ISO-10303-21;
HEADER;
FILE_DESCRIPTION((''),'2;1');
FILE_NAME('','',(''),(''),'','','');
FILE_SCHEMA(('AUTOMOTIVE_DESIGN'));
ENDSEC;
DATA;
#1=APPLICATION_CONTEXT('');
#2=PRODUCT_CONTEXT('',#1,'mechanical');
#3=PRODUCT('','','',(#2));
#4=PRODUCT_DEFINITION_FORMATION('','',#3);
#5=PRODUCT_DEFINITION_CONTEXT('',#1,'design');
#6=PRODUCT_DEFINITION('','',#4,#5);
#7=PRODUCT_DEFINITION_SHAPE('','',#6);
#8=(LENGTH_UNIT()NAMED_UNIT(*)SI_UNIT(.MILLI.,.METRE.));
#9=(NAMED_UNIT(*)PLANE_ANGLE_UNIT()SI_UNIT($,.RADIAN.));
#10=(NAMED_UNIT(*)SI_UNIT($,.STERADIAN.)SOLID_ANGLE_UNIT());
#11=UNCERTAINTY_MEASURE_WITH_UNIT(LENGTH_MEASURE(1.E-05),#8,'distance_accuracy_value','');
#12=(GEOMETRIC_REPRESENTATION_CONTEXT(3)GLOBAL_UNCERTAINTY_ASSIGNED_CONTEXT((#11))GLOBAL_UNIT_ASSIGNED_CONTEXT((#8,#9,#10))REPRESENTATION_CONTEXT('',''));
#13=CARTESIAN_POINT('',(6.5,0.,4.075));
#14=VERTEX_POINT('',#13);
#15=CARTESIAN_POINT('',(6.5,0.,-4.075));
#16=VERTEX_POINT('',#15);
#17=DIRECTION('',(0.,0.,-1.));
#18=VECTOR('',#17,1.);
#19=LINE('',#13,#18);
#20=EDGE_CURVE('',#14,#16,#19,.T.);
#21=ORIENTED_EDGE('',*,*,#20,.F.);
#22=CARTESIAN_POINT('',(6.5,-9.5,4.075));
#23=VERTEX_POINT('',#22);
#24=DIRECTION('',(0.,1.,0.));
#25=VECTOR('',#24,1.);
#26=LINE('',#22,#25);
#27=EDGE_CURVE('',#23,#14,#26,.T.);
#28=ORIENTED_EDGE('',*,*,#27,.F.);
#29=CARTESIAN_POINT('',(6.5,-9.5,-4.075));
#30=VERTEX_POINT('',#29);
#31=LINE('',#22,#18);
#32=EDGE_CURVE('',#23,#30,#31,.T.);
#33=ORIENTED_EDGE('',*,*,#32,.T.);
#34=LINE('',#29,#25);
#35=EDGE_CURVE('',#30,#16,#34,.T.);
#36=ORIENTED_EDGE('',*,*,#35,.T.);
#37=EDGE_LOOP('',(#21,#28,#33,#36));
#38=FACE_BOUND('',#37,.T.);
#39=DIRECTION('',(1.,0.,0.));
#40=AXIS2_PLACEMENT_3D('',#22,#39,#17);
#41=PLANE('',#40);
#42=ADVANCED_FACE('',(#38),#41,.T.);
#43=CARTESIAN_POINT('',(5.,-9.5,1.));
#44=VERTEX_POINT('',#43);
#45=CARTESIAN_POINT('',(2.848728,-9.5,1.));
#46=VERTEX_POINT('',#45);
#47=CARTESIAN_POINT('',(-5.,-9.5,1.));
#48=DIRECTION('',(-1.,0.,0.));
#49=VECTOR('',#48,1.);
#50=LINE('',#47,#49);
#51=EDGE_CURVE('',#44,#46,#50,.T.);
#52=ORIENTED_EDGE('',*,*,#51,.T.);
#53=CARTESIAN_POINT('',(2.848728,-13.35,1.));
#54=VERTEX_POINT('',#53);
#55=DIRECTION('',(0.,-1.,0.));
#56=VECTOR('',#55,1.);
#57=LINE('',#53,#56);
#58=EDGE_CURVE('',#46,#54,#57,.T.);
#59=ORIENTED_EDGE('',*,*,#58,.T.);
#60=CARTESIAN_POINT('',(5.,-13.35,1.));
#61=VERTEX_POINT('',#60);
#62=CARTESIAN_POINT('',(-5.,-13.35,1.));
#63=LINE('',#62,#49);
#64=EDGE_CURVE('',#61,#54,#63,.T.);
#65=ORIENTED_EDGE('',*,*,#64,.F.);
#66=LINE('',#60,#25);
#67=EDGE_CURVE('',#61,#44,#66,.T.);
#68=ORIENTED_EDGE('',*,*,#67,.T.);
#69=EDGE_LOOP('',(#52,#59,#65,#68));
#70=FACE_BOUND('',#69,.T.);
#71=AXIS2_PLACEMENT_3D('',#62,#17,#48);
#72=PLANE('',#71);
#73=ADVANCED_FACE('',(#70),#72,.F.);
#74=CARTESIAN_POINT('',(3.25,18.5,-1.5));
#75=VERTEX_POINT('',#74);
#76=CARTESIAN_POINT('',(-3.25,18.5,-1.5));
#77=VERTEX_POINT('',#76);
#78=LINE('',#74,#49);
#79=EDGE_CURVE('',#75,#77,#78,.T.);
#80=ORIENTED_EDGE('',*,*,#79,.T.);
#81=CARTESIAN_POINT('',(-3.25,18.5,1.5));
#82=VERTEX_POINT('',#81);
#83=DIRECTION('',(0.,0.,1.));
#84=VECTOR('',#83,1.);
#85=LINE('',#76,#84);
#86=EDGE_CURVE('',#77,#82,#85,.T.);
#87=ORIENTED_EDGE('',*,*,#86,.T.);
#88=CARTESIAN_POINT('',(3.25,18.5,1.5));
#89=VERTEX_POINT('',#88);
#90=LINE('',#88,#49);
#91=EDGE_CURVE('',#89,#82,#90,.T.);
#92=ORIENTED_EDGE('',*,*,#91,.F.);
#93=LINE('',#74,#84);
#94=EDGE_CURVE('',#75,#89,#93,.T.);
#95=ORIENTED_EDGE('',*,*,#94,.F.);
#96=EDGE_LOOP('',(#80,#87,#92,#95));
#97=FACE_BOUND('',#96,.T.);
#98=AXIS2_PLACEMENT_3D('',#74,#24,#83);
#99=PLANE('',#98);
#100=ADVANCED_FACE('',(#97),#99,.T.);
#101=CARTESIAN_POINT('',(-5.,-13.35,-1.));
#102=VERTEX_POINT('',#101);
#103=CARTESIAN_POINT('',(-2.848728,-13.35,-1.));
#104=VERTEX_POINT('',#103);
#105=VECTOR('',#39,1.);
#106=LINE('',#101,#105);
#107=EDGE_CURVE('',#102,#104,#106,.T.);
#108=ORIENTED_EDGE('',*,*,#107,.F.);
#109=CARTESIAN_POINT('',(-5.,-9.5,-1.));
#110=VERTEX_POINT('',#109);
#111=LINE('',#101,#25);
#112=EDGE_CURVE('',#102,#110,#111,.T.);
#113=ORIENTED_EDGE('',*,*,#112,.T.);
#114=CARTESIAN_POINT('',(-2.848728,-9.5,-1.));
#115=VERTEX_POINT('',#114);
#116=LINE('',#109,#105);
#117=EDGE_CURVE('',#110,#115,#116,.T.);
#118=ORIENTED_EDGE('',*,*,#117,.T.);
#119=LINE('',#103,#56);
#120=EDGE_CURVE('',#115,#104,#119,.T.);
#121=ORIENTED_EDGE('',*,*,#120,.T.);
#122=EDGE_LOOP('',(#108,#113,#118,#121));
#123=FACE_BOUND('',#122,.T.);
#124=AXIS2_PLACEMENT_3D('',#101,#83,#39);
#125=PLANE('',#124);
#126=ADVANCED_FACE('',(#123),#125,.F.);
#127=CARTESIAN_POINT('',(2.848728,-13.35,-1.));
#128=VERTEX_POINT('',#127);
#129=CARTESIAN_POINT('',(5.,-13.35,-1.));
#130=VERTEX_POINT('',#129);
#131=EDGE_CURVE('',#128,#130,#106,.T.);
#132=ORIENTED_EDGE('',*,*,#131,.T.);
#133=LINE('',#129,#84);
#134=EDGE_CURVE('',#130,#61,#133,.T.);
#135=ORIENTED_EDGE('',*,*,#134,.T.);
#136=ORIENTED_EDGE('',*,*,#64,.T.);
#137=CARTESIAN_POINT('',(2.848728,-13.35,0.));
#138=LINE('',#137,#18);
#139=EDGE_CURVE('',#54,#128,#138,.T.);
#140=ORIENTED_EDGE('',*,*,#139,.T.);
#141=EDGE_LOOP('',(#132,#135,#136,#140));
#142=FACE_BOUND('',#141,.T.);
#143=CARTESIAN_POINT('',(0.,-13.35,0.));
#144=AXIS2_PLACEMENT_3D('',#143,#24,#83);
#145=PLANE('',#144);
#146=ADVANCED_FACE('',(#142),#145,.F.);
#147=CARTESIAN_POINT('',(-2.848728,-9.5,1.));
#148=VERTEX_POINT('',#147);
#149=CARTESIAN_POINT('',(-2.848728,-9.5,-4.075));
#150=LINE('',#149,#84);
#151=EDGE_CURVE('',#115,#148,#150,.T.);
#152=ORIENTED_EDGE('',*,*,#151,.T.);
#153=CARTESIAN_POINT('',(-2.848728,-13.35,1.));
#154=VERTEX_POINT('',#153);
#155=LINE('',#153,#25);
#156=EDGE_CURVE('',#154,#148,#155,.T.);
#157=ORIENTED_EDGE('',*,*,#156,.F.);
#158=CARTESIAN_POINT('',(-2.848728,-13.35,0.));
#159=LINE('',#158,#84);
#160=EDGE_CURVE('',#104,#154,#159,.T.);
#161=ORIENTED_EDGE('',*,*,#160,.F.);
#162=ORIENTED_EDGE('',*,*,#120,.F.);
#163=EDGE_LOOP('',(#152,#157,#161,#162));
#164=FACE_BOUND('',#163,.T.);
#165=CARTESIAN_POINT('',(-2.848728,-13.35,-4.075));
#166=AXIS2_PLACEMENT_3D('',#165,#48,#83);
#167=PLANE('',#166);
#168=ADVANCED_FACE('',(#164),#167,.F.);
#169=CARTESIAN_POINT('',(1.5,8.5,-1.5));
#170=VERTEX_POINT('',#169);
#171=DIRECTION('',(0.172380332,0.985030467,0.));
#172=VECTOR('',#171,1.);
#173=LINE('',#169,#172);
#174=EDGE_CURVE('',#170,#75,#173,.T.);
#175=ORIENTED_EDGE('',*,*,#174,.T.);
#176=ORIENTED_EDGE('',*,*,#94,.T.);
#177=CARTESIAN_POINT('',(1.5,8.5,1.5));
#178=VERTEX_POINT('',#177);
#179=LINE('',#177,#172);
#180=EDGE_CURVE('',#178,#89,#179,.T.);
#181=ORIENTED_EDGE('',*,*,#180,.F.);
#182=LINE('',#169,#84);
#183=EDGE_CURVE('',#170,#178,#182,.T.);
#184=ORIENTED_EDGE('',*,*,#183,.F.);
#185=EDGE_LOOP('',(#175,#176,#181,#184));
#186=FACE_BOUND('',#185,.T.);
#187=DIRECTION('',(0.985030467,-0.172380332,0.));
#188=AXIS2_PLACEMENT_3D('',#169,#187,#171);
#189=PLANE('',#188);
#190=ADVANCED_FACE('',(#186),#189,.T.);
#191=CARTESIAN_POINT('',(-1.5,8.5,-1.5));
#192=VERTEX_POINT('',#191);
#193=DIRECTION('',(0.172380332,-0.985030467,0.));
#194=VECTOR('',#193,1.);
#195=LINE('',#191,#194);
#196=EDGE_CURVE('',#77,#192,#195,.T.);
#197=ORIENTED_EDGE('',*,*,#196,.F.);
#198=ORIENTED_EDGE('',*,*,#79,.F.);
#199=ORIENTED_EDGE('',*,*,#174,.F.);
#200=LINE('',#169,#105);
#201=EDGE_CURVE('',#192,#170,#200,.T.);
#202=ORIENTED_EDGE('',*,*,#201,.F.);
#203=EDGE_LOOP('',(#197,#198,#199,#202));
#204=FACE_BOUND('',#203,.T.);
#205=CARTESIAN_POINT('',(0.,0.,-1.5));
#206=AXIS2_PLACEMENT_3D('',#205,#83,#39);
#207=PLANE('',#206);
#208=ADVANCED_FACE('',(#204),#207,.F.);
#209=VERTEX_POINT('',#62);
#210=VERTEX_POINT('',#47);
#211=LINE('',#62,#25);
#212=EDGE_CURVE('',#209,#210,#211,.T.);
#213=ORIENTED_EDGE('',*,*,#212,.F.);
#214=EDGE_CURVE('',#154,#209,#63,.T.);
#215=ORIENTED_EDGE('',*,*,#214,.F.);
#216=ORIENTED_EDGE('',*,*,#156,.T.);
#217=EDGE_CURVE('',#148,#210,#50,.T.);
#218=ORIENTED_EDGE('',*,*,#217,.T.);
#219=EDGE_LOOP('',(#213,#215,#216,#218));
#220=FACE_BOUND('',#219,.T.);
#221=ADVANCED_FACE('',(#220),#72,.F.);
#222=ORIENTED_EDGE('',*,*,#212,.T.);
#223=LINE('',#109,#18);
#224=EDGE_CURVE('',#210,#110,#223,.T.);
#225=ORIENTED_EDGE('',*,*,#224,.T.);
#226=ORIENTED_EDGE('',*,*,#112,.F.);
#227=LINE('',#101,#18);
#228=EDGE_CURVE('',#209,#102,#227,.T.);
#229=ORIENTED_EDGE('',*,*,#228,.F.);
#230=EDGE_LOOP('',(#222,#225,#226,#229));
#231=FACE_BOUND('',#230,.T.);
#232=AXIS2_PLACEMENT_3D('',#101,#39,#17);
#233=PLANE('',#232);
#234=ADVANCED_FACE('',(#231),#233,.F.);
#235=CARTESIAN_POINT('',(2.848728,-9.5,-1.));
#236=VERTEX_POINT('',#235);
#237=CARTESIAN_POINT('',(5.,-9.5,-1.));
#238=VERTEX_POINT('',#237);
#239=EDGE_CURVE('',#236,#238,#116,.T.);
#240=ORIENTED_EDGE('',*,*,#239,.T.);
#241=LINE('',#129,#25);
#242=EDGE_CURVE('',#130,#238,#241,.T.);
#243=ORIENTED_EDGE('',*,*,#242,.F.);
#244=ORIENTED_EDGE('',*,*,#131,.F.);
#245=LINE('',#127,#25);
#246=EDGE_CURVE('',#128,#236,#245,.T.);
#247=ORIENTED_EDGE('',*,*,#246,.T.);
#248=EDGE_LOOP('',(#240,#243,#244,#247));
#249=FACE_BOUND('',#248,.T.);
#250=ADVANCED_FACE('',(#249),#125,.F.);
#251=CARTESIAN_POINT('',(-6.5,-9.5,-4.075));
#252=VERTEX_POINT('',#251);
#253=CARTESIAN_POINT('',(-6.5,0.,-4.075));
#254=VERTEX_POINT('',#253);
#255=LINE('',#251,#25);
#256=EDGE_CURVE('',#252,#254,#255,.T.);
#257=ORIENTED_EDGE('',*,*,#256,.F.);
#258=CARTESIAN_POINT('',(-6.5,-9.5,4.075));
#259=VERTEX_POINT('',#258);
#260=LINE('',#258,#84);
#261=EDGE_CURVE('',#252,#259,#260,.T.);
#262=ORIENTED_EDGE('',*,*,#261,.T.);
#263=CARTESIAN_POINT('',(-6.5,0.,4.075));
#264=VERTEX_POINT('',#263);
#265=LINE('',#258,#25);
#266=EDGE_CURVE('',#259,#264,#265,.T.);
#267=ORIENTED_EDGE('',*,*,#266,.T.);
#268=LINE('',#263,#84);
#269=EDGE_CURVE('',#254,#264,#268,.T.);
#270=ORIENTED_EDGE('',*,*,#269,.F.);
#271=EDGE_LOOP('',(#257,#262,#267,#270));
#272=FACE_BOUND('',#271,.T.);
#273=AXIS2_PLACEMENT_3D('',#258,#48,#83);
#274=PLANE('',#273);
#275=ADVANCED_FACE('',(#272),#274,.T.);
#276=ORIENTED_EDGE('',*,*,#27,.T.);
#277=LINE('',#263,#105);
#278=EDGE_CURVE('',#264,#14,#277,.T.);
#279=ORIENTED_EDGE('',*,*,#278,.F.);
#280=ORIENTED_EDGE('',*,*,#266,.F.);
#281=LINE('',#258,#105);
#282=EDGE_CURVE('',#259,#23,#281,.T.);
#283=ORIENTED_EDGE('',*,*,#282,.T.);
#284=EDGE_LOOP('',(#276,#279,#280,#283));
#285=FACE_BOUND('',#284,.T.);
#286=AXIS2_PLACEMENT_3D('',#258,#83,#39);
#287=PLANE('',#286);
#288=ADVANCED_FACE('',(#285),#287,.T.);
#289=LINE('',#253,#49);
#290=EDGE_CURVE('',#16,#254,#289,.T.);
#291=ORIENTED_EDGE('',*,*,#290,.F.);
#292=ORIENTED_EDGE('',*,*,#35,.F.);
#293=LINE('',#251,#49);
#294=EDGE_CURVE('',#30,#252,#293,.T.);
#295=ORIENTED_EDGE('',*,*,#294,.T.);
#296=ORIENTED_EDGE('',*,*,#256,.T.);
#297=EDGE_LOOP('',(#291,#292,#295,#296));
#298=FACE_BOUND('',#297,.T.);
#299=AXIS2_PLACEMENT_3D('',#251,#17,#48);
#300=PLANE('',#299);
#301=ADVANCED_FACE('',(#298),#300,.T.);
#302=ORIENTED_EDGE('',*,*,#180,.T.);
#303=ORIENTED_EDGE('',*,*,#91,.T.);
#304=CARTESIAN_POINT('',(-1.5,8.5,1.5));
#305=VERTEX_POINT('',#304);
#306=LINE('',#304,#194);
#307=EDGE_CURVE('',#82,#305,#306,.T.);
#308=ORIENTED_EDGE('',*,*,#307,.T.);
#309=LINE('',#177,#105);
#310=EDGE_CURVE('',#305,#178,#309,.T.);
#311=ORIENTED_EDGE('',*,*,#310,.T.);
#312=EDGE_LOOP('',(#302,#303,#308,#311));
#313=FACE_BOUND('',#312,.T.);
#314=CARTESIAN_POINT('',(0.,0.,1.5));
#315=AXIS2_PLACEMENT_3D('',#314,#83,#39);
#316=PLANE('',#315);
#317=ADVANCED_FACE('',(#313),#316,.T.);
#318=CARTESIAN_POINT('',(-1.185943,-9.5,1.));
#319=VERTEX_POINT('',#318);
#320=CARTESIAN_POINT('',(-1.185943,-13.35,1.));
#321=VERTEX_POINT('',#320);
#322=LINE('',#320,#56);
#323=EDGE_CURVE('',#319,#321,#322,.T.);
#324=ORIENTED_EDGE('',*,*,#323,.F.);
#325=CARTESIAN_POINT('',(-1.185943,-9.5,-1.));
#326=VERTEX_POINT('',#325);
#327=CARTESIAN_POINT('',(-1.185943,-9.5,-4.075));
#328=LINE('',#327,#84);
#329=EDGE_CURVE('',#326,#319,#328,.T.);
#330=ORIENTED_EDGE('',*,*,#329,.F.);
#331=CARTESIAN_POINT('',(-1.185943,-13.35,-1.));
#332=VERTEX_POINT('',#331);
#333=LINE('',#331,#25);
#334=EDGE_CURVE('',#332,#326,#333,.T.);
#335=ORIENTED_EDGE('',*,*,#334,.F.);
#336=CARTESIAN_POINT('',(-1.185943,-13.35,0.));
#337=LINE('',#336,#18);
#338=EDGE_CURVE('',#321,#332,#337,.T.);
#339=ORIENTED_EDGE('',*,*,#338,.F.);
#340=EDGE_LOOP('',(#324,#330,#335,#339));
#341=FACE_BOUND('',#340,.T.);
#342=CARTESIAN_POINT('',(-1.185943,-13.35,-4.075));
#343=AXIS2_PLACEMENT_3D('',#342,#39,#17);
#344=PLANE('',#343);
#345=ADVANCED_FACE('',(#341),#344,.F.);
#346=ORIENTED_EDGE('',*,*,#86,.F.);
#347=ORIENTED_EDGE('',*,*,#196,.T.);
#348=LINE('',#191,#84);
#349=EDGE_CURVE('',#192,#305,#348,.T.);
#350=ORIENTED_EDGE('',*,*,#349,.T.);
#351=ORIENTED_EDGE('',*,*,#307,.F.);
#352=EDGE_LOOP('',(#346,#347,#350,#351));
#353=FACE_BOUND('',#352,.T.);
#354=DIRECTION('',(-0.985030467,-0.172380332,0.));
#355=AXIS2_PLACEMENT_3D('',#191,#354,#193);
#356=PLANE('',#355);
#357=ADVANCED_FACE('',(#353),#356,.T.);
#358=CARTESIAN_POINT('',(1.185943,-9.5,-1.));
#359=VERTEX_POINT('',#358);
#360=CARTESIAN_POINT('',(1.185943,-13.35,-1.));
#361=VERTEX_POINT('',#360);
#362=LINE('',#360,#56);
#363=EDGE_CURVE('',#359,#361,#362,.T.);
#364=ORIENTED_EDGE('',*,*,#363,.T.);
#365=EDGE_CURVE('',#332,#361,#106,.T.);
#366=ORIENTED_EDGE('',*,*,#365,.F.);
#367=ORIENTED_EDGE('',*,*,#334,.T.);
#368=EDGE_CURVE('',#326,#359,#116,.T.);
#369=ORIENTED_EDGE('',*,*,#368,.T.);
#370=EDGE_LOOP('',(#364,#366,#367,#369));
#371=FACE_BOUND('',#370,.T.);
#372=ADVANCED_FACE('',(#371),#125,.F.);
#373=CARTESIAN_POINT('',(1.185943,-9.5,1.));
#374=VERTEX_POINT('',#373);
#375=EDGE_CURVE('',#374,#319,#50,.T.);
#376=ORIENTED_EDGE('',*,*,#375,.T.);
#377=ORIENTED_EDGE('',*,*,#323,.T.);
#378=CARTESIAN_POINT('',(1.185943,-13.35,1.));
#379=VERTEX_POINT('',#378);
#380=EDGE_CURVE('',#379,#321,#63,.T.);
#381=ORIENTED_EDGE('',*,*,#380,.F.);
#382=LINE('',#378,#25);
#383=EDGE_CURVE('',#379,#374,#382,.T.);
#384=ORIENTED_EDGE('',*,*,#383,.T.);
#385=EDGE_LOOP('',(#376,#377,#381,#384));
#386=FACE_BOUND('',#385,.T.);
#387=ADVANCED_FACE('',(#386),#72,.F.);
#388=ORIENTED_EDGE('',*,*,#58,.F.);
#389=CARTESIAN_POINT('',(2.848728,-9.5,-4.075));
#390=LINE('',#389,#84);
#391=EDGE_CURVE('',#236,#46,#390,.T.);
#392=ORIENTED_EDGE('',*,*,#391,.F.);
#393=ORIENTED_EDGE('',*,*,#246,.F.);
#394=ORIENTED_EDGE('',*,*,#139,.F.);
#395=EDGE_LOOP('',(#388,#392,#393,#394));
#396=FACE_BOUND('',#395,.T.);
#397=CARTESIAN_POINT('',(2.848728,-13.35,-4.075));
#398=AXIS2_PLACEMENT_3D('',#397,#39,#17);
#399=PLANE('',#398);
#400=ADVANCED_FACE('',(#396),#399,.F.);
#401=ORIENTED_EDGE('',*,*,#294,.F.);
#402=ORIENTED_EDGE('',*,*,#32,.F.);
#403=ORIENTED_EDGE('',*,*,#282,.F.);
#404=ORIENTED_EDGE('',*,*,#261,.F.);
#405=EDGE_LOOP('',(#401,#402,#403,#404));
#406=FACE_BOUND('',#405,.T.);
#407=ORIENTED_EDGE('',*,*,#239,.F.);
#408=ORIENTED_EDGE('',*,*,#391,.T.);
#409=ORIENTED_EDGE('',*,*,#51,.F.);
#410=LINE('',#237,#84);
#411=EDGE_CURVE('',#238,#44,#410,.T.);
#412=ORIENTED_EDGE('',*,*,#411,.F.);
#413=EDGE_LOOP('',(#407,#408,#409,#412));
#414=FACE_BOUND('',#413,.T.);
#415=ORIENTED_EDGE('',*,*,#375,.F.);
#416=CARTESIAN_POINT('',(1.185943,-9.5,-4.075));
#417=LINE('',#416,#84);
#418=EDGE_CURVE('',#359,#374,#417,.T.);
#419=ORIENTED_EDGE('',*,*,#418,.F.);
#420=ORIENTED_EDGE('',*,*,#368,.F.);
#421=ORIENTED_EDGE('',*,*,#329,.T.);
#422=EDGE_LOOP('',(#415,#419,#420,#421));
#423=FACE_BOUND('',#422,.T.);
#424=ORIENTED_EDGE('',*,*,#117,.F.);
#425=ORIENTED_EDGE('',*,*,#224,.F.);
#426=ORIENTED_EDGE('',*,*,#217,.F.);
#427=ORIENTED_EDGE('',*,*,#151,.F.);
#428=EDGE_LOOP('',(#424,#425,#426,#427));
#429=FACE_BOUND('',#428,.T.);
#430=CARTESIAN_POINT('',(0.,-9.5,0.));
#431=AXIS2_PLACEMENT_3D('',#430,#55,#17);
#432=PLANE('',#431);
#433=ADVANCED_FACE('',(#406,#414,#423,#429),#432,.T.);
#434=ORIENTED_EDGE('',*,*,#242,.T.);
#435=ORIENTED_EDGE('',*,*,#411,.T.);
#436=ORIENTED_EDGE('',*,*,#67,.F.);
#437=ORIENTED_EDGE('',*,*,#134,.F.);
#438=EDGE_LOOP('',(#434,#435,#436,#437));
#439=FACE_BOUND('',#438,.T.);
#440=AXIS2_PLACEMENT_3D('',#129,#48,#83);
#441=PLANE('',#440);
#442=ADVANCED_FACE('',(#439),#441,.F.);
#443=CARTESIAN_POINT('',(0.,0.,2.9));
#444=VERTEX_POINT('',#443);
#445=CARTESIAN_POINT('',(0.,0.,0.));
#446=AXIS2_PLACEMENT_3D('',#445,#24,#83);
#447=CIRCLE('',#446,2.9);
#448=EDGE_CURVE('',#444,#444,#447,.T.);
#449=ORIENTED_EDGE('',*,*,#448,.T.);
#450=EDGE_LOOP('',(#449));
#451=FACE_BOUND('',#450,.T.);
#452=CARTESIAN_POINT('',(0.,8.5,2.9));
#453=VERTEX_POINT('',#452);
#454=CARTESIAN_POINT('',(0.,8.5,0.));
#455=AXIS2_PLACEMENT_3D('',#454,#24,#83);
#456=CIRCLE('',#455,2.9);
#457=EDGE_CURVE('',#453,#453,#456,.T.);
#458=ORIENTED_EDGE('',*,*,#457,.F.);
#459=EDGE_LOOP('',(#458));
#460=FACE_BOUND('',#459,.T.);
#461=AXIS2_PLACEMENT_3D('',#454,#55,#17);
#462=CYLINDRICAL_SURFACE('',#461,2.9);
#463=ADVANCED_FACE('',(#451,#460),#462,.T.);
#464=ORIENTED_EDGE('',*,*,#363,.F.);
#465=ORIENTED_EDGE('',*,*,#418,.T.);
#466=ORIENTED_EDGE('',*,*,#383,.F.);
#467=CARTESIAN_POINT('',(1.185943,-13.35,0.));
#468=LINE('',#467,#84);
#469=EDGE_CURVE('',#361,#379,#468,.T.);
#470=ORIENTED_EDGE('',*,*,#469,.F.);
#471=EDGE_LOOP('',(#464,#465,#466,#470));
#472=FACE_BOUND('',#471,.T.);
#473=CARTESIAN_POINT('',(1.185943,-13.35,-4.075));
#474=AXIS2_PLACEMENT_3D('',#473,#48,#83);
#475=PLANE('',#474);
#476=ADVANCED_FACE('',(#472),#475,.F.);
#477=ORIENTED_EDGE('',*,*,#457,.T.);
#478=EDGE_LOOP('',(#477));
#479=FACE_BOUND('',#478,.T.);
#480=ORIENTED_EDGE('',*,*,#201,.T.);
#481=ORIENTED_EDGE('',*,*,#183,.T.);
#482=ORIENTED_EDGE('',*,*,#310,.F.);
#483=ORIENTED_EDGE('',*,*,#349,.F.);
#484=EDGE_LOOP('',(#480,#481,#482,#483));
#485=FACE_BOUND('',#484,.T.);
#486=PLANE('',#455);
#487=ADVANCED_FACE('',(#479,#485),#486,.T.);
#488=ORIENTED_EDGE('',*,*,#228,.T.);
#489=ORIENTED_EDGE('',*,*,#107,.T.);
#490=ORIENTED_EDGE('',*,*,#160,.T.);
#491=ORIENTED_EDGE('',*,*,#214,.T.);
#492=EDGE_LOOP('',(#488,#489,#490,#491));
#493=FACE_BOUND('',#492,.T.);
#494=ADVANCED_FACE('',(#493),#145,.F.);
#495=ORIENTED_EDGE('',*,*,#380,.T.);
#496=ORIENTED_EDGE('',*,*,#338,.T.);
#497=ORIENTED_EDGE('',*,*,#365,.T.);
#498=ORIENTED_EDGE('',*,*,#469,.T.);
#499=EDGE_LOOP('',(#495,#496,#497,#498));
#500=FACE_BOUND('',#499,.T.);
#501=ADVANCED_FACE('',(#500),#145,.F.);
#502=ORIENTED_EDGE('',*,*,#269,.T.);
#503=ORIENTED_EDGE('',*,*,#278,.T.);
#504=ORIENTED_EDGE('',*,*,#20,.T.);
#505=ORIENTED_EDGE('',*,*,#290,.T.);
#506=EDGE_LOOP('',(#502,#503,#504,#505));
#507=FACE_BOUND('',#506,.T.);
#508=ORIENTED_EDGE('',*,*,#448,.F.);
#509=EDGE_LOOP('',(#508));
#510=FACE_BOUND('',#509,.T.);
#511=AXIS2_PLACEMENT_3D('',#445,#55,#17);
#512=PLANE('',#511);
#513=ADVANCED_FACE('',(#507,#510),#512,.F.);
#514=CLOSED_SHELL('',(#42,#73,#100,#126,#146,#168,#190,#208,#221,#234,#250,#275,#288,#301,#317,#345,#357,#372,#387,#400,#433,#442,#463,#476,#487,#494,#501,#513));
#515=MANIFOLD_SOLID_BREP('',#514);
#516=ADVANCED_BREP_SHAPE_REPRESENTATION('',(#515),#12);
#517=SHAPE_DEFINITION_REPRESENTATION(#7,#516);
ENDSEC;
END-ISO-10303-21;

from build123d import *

# Parameters (mm, degrees)
SKETCH1_W                = 13
SKETCH1_H                = 8.15
BOSS_EXTRUDE1_DEPTH      = 9.5
SKETCH2_R                = 2.9
BOSS_EXTRUDE2_DEPTH      = 8.5
BOSS_EXTRUDE3_DEPTH      = 1.5
BOSS_EXTRUDE3_DEPTH_BACK = 1.5
SKETCH4_W                = 10
SKETCH4_H                = 2
BOSS_EXTRUDE4_DEPTH      = 3.85
CUT_EXTRUDE1_DEPTH       = 21.027621551
CUT_EXTRUDE1_DEPTH_BACK  = 21.027621551
SKETCH5_W                = 1.66278511
SKETCH5_H                = 3.85


with BuildPart() as part:
    # Sketch1 → Boss-Extrude1 (new body)
    with BuildSketch(Plane(origin=(0, 0, 0), x_dir=(1, 0, 0), z_dir=(0, 1, 0))):
        Rectangle(SKETCH1_W, SKETCH1_H)
    extrude(amount=-BOSS_EXTRUDE1_DEPTH)

    # Sketch2 → Boss-Extrude2 (add)
    with BuildSketch(Plane(origin=(0, 0, 0), x_dir=(1, 0, 0), z_dir=(0, 1, 0))):
        with Locations(Location((0, 0, 0), (0, 0, 270))):
            Circle(SKETCH2_R)
    extrude(amount=BOSS_EXTRUDE2_DEPTH)

    # Sketch3 → Boss-Extrude3 (add, two sides: drawn at the far end of the back side and taken through both)
    with BuildSketch(Plane.XY.offset(-BOSS_EXTRUDE3_DEPTH_BACK)):
        Polygon((3.25, 18.5), (-3.25, 18.5), (-1.5, 8.5), (1.5, 8.5), align=None)
    extrude(amount=BOSS_EXTRUDE3_DEPTH + BOSS_EXTRUDE3_DEPTH_BACK)

    # Sketch4 → Boss-Extrude4 (add)
    with BuildSketch(Plane.XZ.offset(9.5)):
        Rectangle(SKETCH4_W, SKETCH4_H)
    extrude(amount=BOSS_EXTRUDE4_DEPTH)

    # Sketch5 → Cut-Extrude1 (cut, two sides: drawn at the far end of the back side and taken through both)
    with BuildSketch(Plane.XY.offset(-CUT_EXTRUDE1_DEPTH_BACK)):
        with Locations((-2.017335511, -11.425)):
            Rectangle(SKETCH5_W, SKETCH5_H)
        with Locations((2.017335511, -11.425)):
            Rectangle(SKETCH5_W, SKETCH5_H)
    extrude(amount=CUT_EXTRUDE1_DEPTH + CUT_EXTRUDE1_DEPTH_BACK, mode=Mode.SUBTRACT)


solid = part.part
